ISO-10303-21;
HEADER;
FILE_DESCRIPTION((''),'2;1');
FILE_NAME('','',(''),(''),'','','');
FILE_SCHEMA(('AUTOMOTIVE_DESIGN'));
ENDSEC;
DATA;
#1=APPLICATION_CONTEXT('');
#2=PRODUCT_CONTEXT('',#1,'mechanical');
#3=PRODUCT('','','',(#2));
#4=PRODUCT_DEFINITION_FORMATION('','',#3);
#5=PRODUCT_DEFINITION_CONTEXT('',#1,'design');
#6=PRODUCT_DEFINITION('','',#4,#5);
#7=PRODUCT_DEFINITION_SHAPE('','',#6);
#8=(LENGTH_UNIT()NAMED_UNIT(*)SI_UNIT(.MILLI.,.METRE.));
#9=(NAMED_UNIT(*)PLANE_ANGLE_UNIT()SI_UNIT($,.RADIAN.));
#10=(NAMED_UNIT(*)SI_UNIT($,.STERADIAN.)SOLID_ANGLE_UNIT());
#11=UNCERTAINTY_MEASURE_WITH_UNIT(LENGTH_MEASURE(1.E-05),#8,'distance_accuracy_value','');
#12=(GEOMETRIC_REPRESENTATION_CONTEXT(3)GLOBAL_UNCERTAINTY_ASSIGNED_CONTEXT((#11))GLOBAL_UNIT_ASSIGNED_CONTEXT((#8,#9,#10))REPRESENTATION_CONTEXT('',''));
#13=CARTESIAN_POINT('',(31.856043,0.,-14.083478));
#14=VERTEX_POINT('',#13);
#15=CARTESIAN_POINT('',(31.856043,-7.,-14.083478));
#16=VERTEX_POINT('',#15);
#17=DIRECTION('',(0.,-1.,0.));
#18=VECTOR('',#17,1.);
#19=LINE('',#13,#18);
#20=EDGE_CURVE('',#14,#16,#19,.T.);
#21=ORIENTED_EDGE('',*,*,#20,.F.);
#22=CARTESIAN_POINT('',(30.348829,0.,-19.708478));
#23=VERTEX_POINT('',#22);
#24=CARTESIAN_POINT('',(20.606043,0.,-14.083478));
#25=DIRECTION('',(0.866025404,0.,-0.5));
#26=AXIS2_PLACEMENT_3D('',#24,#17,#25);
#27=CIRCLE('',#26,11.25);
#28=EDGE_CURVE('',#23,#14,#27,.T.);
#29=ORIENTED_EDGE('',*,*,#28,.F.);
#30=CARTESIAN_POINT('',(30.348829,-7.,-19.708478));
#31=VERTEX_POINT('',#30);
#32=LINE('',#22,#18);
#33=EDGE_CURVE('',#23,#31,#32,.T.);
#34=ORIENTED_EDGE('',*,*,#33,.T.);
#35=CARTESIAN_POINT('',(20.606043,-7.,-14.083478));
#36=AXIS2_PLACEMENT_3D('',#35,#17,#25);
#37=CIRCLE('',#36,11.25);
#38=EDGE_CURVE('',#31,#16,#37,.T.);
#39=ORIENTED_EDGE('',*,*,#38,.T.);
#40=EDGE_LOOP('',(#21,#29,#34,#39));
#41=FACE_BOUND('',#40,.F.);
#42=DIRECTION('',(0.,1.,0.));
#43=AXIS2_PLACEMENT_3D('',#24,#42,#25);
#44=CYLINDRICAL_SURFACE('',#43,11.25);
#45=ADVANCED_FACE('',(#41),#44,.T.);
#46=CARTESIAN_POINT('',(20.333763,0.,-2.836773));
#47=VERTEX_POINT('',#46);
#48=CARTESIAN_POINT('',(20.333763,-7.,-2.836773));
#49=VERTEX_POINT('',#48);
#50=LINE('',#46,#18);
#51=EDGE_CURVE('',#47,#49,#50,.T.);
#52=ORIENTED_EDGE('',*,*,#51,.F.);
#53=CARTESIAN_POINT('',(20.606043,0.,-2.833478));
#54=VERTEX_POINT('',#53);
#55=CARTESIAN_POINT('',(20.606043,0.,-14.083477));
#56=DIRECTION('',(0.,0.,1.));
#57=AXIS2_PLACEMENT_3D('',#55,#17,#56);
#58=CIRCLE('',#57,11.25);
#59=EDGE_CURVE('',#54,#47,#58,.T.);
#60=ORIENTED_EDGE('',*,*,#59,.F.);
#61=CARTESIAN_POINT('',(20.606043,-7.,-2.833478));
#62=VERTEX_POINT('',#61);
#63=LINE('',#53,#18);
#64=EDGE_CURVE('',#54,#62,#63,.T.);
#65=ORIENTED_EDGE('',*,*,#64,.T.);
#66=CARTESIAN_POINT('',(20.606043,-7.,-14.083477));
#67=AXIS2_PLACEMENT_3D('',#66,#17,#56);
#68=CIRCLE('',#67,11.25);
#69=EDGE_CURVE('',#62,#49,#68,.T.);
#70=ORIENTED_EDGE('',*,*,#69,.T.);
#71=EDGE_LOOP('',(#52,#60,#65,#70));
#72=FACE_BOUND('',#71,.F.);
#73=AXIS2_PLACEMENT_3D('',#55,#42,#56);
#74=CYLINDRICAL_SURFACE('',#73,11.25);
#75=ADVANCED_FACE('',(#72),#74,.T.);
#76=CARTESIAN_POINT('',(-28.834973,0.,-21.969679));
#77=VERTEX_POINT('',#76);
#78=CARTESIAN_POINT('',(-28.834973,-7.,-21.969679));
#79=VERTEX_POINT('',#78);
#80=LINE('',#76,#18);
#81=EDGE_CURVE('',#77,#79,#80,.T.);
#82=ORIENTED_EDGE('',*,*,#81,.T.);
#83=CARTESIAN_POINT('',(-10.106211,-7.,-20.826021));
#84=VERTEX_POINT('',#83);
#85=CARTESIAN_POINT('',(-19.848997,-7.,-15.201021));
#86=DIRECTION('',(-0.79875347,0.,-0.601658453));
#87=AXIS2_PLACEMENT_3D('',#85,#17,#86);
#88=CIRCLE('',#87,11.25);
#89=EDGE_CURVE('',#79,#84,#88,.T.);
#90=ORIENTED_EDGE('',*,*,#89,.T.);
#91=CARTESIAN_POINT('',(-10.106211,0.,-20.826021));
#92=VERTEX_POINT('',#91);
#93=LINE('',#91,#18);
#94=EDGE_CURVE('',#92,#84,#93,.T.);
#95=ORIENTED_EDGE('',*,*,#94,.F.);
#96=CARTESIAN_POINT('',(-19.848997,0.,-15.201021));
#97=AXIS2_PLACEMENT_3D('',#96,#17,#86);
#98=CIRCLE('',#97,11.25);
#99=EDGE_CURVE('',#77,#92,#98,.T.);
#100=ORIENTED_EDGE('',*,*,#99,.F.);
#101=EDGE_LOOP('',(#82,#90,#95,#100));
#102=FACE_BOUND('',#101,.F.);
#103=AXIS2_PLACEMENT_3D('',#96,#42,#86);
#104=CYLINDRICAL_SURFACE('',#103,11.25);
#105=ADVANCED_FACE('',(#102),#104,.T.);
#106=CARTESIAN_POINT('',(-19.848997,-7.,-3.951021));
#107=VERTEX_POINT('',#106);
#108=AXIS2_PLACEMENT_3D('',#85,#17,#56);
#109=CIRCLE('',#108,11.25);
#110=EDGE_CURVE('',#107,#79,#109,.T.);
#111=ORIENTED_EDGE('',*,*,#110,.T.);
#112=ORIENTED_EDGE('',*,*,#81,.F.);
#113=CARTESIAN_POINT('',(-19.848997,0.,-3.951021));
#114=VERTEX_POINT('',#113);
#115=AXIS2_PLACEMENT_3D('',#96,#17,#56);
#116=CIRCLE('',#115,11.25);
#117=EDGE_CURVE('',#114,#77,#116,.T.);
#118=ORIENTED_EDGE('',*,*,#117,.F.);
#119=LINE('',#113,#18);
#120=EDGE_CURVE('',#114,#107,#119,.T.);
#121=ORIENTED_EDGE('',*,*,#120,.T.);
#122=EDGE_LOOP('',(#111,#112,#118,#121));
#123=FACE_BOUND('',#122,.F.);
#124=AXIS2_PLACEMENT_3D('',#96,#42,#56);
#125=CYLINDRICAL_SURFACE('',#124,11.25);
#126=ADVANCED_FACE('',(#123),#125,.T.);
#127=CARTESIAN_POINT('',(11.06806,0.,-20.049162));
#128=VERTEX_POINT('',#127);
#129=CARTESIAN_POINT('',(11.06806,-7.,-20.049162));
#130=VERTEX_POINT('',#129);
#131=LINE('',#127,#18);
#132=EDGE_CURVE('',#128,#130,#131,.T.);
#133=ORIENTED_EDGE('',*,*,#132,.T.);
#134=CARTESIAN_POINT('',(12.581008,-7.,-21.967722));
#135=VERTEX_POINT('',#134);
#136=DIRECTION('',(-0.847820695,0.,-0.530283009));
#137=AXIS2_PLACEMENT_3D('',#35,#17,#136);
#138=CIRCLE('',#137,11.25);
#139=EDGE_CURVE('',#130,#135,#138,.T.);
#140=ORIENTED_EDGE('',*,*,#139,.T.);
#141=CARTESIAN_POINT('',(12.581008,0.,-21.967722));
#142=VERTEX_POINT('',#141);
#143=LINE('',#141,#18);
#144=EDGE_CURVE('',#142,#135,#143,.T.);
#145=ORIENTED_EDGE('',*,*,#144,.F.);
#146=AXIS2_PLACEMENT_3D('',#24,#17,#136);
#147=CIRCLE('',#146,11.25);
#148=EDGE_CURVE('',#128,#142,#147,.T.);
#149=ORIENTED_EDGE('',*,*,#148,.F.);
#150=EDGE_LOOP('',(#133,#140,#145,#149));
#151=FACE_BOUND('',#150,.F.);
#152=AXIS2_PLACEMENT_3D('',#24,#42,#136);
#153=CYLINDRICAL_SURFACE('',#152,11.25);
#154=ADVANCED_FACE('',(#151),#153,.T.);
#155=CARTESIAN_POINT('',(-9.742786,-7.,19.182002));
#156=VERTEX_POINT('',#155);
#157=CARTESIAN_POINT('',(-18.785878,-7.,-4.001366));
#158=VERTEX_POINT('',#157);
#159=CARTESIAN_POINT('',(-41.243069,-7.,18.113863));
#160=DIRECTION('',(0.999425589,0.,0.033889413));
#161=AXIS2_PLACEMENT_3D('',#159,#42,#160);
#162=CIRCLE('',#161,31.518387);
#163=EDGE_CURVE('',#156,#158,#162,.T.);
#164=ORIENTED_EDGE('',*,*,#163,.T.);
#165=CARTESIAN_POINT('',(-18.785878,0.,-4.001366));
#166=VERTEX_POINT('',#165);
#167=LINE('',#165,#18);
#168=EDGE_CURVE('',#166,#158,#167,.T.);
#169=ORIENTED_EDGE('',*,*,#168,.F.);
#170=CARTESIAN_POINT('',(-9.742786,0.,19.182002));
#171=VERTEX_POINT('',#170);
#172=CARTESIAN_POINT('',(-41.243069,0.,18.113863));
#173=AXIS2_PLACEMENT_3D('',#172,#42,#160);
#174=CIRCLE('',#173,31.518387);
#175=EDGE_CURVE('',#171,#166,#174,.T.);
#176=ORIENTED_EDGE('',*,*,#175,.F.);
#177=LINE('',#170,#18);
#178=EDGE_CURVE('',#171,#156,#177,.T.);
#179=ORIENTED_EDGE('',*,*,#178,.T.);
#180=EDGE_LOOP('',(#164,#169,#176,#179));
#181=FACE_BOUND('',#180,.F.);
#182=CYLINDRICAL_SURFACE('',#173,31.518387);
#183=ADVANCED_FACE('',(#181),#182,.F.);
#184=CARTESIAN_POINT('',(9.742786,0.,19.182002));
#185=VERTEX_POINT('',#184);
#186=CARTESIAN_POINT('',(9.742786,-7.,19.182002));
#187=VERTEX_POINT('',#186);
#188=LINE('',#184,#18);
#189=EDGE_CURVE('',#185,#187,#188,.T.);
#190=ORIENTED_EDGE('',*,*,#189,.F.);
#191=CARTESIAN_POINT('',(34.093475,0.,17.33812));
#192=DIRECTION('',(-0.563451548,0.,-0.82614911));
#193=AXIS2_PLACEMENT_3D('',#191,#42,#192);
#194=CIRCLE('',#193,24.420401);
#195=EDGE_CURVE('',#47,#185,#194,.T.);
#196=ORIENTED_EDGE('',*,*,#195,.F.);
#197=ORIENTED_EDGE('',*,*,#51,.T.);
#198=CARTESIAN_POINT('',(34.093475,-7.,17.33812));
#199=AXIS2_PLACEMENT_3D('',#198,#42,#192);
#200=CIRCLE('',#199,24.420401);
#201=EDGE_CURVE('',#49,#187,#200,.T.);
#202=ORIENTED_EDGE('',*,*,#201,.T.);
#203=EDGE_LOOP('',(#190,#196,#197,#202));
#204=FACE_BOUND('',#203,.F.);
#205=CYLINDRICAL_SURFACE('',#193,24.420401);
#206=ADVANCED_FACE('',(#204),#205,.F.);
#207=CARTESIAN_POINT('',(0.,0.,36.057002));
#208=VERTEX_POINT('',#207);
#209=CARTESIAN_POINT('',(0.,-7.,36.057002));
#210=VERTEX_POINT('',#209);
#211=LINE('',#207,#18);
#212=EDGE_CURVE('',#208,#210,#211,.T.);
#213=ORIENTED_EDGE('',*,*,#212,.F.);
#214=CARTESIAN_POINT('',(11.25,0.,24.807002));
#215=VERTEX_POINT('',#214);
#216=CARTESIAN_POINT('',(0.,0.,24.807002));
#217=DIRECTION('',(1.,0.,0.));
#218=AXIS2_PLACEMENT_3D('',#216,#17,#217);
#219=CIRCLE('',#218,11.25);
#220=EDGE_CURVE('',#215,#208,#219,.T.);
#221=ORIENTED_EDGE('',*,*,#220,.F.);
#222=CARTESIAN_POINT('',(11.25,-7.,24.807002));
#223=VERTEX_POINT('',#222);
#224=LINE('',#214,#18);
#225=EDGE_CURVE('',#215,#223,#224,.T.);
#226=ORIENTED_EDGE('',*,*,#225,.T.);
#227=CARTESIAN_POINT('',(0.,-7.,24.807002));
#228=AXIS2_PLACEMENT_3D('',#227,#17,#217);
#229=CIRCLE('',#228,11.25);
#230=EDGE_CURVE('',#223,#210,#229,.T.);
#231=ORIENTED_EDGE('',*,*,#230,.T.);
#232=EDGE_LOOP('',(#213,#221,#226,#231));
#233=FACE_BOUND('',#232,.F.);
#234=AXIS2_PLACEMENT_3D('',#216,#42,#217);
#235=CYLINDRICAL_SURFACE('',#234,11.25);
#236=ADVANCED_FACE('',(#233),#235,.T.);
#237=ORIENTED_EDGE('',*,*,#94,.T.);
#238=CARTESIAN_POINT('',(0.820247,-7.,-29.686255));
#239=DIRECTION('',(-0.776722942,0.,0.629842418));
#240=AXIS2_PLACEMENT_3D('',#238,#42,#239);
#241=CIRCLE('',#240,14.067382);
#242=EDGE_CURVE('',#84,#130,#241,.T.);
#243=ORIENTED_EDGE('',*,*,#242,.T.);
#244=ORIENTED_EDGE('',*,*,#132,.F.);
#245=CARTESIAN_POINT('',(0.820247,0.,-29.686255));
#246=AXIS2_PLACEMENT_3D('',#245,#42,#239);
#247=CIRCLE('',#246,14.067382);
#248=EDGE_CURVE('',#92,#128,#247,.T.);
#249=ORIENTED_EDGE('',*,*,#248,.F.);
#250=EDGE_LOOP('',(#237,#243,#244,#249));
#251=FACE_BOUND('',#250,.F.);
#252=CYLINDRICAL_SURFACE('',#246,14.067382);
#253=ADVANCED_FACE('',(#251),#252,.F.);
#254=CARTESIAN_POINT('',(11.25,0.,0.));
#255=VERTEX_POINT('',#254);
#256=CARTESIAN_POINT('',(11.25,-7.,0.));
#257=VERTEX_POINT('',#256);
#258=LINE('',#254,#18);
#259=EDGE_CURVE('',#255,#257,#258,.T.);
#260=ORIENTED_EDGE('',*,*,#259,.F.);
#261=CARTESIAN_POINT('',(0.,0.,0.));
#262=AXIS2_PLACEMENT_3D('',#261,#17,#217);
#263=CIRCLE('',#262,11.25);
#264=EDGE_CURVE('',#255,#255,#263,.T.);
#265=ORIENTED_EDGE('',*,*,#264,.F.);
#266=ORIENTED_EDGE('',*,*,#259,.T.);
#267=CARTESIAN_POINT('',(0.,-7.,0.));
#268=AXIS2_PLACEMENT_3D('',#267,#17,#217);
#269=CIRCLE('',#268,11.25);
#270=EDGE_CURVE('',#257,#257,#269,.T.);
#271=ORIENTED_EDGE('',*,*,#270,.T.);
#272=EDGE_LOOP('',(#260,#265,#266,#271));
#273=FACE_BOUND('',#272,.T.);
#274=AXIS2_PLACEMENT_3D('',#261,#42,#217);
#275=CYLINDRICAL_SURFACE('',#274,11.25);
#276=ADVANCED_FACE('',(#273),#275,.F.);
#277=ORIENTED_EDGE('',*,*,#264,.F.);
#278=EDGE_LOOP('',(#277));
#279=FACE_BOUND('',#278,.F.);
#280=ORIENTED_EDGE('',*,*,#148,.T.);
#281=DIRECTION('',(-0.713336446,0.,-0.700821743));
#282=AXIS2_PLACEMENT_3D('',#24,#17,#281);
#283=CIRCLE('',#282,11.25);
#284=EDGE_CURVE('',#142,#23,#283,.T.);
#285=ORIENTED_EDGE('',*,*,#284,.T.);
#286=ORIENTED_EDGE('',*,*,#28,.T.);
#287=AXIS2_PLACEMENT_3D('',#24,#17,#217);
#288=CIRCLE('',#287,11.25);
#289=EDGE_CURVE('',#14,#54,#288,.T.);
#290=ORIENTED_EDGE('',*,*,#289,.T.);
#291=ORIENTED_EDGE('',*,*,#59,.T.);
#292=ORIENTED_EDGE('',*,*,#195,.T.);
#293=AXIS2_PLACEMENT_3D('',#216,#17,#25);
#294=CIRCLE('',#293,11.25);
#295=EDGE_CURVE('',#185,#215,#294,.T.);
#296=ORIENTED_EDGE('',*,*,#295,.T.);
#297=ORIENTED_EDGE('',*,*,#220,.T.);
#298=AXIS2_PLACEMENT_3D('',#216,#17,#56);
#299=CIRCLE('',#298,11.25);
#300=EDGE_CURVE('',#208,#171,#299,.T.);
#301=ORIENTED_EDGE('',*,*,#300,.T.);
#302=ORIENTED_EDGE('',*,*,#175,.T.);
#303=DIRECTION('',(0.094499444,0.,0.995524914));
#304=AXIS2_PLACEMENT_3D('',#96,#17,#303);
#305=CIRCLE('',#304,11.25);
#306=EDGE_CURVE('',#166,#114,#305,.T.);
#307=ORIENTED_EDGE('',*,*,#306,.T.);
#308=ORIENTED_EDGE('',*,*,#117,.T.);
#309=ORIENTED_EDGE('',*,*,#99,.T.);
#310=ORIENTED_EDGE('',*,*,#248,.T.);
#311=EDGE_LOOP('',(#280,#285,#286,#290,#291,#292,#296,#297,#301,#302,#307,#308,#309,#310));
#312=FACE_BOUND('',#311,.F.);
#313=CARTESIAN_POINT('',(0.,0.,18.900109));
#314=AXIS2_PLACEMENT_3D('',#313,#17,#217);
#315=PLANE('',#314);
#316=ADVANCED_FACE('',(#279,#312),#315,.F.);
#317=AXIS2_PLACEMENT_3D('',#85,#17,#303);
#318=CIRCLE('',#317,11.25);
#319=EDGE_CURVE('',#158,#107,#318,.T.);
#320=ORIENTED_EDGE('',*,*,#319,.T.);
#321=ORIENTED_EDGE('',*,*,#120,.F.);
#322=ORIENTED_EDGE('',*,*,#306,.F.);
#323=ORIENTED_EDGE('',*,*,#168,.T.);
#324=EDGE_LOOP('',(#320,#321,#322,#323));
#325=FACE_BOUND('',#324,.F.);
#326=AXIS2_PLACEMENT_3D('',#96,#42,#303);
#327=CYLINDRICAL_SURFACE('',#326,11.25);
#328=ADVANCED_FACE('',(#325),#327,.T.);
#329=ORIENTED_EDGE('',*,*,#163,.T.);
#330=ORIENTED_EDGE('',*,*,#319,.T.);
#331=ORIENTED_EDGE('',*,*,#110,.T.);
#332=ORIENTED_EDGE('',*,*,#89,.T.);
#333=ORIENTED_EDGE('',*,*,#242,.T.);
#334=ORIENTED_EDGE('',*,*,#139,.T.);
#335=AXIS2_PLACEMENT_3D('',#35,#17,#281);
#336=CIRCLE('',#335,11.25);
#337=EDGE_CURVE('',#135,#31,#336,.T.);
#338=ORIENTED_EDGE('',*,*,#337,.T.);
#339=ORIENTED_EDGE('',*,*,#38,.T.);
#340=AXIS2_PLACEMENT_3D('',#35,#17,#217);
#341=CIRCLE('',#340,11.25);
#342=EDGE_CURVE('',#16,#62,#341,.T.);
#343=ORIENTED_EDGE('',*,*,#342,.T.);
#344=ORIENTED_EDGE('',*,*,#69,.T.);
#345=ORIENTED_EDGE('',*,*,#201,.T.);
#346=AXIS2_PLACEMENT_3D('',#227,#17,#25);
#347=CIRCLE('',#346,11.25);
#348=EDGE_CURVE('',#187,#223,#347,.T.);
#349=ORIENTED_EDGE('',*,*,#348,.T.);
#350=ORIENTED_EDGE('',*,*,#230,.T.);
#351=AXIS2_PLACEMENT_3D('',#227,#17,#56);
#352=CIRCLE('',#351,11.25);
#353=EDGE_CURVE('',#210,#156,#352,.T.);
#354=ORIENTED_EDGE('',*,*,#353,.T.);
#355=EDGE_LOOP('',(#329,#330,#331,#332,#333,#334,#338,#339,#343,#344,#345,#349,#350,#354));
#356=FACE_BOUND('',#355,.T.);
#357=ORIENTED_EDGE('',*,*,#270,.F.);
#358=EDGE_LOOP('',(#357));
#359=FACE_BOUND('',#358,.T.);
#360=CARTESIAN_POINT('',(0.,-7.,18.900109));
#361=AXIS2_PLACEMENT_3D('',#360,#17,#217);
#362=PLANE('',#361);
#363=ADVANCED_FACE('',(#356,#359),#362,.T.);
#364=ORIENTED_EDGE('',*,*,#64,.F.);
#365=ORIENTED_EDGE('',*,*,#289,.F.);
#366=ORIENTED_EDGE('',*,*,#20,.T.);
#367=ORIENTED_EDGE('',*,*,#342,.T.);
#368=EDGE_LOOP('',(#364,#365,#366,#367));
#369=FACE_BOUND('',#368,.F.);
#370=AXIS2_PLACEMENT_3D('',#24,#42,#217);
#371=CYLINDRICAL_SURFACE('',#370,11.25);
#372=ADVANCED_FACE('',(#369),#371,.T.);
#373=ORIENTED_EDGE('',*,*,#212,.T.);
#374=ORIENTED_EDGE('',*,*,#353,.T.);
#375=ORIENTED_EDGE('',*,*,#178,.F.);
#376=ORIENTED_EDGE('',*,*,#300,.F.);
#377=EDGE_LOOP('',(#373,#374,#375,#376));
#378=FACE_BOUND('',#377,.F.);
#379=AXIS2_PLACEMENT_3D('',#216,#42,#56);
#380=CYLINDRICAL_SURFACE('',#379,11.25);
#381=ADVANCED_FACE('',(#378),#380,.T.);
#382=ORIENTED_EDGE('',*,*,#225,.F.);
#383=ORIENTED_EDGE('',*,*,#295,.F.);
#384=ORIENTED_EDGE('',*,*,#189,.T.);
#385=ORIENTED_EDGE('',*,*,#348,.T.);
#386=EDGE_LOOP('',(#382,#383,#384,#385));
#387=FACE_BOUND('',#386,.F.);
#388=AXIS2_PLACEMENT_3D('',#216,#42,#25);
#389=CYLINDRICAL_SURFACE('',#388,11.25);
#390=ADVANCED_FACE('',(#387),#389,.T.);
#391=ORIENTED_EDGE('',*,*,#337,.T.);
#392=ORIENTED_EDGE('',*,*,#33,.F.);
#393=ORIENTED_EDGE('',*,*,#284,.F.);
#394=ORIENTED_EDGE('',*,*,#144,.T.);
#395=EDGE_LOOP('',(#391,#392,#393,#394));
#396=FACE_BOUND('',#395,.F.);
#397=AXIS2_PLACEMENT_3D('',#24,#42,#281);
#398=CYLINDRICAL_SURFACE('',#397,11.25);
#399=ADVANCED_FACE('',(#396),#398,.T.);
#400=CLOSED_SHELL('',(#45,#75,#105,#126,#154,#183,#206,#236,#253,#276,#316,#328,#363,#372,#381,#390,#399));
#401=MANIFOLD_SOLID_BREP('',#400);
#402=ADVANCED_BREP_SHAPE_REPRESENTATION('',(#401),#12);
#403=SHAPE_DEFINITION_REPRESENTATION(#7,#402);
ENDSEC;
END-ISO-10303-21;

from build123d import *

# Parameters (mm, degrees)
F0_R     = 11.25
F1_DEPTH = 7


with BuildPart() as f1:
    # F0 (on Front) → F1 (new body)
    with BuildSketch(Plane.XZ):
        with BuildLine():
            Line((0, 24.8070023954), (-9.7427857926, 19.1820023954))
            ThreePointArc((-9.7427857926, 19.1820023954), (0, 13.5570023954), (9.7427857926, 19.1820023954))
            Line((9.7427857926, 19.1820023954), (0, 24.8070023954))
        make_face()
        with BuildLine():
            ThreePointArc((0, 36.0570023954), (-9.7427857926, 30.4320023954), (-9.7427857926, 19.1820023954))
            Line((-9.7427857926, 19.1820023954), (0, 24.8070023954))
            Line((0, 24.8070023954), (0, 36.0570023954))
        make_face()
        with BuildLine():
            ThreePointArc((9.7427857926, 19.1820023954), (0, 13.5570023954), (-9.7427857926, 19.1820023954))
            ThreePointArc((-9.7427857926, 19.1820023954), (-11.8794963915, 6.6600701003), (-18.785878025, -4.0013656998))
            ThreePointArc((-18.785878025, -4.0013656998), (-11.5266597843, -7.6312649105), (-8.5989967734, -15.2010209858))
            ThreePointArc((-8.5989967734, -15.2010209858), (-8.9823312276, -18.1127352432), (-10.1062109808, -20.8260209858))
            ThreePointArc((-10.1062109808, -20.8260209858), (0.3044783334, -15.6283312232), (11.0680600024, -20.0491615206))
            ThreePointArc((11.0680600024, -20.0491615206), (10.7001408508, -8.750972982), (20.3337626304, -2.8367731067))
            ThreePointArc((20.3337626304, -2.8367731067), (12.0864921747, 6.7528147477), (9.7427857926, 19.1820023954))
        make_face()
        Circle(F0_R, mode=Mode.SUBTRACT)
        with BuildLine():
            Line((0, 24.8070023954), (9.7427857926, 19.1820023954))
            ThreePointArc((9.7427857926, 19.1820023954), (10.8666655458, 21.895288138), (11.25, 24.8070023954))
            ThreePointArc((11.25, 24.8070023954), (7.9549512883, 32.7619536837), (0, 36.0570023954))
            Line((0, 36.0570023954), (0, 24.8070023954))
        make_face()
        with BuildLine():
            ThreePointArc((-19.8489967734, -5.0313835964), (-19.3113897365, -4.5226166596), (-18.785878025, -4.0013656998))
            ThreePointArc((-18.785878025, -4.0013656998), (-19.3168417059, -3.9636142127), (-19.8489967734, -3.9510209858))
            Line((-19.8489967734, -3.9510209858), (-19.8489967734, -5.0313835964))
        make_face()
        with BuildLine():
            ThreePointArc((-8.5989967734, -15.2010209858), (-11.5266597843, -7.6312649105), (-18.785878025, -4.0013656998))
            ThreePointArc((-18.785878025, -4.0013656998), (-19.3113897365, -4.5226166596), (-19.8489967734, -5.0313835964))
            Line((-19.8489967734, -5.0313835964), (-19.8489967734, -15.2010209858))
            Line((-19.8489967734, -15.2010209858), (-10.1062109808, -20.8260209858))
            ThreePointArc((-10.1062109808, -20.8260209858), (-8.9823312276, -18.1127352432), (-8.5989967734, -15.2010209858))
        make_face()
        with BuildLine():
            ThreePointArc((20.6060428172, -3.0198064633), (20.4695953446, -2.928747042), (20.3337626304, -2.8367731067))
            ThreePointArc((20.3337626304, -2.8367731067), (10.7001408508, -8.750972982), (11.0680600024, -20.0491615206))
            ThreePointArc((11.0680600024, -20.0491615206), (11.8662666045, -20.9755321249), (12.5810078032, -21.9677222755))
            Line((12.5810078032, -21.9677222755), (20.6060428172, -14.0834776685))
            Line((20.6060428172, -14.0834776685), (20.6060428172, -3.0198064633))
        make_face()
        with BuildLine():
            ThreePointArc((20.6060428172, -2.8334776685), (20.4698927529, -2.8343015582), (20.3337626304, -2.8367731067))
            ThreePointArc((20.3337626304, -2.8367731067), (20.4695953446, -2.928747042), (20.6060428172, -3.0198064633))
            Line((20.6060428172, -3.0198064633), (20.6060428172, -2.8334776685))
        make_face()
        with BuildLine():
            Line((-19.8489967734, -5.0313835964), (-19.8489967734, -3.9510209858))
            ThreePointArc((-19.8489967734, -3.9510209858), (-29.9165162791, -10.1803087852), (-28.834973309, -21.9696785855))
            Line((-28.834973309, -21.9696785855), (-19.8489967734, -15.2010209858))
            Line((-19.8489967734, -15.2010209858), (-19.8489967734, -5.0313835964))
        make_face()
        with BuildLine():
            ThreePointArc((31.8560428172, -14.0834776685), (28.5609941056, -6.1285263801), (20.6060428172, -2.8334776685))
            Line((20.6060428172, -2.8334776685), (20.6060428172, -3.0198064633))
            Line((20.6060428172, -3.0198064633), (20.6060428172, -14.0834776685))
            Line((20.6060428172, -14.0834776685), (30.3488286098, -19.7084776685))
            ThreePointArc((30.3488286098, -19.7084776685), (31.472708363, -16.9951919259), (31.8560428172, -14.0834776685))
        make_face()
        with BuildLine():
            ThreePointArc((12.5810078032, -21.9677222755), (11.8662666045, -20.9755321249), (11.0680600024, -20.0491615206))
            ThreePointArc((11.0680600024, -20.0491615206), (11.7722940288, -21.0496374673), (12.5810078032, -21.9677222755))
        make_face()
        with BuildLine():
            ThreePointArc((-28.834973309, -21.9696785855), (-19.1633013314, -26.4301047312), (-10.1062109808, -20.8260209858))
            Line((-10.1062109808, -20.8260209858), (-19.8489967734, -15.2010209858))
            Line((-19.8489967734, -15.2010209858), (-28.834973309, -21.9696785855))
        make_face()
        with BuildLine():
            Line((20.6060428172, -14.0834776685), (12.5810078032, -21.9677222755))
            ThreePointArc((12.5810078032, -21.9677222755), (22.0250965452, -25.2436204327), (30.3488286098, -19.7084776685))
            Line((30.3488286098, -19.7084776685), (20.6060428172, -14.0834776685))
        make_face()
    extrude(amount=F1_DEPTH)


solid = f1.part
